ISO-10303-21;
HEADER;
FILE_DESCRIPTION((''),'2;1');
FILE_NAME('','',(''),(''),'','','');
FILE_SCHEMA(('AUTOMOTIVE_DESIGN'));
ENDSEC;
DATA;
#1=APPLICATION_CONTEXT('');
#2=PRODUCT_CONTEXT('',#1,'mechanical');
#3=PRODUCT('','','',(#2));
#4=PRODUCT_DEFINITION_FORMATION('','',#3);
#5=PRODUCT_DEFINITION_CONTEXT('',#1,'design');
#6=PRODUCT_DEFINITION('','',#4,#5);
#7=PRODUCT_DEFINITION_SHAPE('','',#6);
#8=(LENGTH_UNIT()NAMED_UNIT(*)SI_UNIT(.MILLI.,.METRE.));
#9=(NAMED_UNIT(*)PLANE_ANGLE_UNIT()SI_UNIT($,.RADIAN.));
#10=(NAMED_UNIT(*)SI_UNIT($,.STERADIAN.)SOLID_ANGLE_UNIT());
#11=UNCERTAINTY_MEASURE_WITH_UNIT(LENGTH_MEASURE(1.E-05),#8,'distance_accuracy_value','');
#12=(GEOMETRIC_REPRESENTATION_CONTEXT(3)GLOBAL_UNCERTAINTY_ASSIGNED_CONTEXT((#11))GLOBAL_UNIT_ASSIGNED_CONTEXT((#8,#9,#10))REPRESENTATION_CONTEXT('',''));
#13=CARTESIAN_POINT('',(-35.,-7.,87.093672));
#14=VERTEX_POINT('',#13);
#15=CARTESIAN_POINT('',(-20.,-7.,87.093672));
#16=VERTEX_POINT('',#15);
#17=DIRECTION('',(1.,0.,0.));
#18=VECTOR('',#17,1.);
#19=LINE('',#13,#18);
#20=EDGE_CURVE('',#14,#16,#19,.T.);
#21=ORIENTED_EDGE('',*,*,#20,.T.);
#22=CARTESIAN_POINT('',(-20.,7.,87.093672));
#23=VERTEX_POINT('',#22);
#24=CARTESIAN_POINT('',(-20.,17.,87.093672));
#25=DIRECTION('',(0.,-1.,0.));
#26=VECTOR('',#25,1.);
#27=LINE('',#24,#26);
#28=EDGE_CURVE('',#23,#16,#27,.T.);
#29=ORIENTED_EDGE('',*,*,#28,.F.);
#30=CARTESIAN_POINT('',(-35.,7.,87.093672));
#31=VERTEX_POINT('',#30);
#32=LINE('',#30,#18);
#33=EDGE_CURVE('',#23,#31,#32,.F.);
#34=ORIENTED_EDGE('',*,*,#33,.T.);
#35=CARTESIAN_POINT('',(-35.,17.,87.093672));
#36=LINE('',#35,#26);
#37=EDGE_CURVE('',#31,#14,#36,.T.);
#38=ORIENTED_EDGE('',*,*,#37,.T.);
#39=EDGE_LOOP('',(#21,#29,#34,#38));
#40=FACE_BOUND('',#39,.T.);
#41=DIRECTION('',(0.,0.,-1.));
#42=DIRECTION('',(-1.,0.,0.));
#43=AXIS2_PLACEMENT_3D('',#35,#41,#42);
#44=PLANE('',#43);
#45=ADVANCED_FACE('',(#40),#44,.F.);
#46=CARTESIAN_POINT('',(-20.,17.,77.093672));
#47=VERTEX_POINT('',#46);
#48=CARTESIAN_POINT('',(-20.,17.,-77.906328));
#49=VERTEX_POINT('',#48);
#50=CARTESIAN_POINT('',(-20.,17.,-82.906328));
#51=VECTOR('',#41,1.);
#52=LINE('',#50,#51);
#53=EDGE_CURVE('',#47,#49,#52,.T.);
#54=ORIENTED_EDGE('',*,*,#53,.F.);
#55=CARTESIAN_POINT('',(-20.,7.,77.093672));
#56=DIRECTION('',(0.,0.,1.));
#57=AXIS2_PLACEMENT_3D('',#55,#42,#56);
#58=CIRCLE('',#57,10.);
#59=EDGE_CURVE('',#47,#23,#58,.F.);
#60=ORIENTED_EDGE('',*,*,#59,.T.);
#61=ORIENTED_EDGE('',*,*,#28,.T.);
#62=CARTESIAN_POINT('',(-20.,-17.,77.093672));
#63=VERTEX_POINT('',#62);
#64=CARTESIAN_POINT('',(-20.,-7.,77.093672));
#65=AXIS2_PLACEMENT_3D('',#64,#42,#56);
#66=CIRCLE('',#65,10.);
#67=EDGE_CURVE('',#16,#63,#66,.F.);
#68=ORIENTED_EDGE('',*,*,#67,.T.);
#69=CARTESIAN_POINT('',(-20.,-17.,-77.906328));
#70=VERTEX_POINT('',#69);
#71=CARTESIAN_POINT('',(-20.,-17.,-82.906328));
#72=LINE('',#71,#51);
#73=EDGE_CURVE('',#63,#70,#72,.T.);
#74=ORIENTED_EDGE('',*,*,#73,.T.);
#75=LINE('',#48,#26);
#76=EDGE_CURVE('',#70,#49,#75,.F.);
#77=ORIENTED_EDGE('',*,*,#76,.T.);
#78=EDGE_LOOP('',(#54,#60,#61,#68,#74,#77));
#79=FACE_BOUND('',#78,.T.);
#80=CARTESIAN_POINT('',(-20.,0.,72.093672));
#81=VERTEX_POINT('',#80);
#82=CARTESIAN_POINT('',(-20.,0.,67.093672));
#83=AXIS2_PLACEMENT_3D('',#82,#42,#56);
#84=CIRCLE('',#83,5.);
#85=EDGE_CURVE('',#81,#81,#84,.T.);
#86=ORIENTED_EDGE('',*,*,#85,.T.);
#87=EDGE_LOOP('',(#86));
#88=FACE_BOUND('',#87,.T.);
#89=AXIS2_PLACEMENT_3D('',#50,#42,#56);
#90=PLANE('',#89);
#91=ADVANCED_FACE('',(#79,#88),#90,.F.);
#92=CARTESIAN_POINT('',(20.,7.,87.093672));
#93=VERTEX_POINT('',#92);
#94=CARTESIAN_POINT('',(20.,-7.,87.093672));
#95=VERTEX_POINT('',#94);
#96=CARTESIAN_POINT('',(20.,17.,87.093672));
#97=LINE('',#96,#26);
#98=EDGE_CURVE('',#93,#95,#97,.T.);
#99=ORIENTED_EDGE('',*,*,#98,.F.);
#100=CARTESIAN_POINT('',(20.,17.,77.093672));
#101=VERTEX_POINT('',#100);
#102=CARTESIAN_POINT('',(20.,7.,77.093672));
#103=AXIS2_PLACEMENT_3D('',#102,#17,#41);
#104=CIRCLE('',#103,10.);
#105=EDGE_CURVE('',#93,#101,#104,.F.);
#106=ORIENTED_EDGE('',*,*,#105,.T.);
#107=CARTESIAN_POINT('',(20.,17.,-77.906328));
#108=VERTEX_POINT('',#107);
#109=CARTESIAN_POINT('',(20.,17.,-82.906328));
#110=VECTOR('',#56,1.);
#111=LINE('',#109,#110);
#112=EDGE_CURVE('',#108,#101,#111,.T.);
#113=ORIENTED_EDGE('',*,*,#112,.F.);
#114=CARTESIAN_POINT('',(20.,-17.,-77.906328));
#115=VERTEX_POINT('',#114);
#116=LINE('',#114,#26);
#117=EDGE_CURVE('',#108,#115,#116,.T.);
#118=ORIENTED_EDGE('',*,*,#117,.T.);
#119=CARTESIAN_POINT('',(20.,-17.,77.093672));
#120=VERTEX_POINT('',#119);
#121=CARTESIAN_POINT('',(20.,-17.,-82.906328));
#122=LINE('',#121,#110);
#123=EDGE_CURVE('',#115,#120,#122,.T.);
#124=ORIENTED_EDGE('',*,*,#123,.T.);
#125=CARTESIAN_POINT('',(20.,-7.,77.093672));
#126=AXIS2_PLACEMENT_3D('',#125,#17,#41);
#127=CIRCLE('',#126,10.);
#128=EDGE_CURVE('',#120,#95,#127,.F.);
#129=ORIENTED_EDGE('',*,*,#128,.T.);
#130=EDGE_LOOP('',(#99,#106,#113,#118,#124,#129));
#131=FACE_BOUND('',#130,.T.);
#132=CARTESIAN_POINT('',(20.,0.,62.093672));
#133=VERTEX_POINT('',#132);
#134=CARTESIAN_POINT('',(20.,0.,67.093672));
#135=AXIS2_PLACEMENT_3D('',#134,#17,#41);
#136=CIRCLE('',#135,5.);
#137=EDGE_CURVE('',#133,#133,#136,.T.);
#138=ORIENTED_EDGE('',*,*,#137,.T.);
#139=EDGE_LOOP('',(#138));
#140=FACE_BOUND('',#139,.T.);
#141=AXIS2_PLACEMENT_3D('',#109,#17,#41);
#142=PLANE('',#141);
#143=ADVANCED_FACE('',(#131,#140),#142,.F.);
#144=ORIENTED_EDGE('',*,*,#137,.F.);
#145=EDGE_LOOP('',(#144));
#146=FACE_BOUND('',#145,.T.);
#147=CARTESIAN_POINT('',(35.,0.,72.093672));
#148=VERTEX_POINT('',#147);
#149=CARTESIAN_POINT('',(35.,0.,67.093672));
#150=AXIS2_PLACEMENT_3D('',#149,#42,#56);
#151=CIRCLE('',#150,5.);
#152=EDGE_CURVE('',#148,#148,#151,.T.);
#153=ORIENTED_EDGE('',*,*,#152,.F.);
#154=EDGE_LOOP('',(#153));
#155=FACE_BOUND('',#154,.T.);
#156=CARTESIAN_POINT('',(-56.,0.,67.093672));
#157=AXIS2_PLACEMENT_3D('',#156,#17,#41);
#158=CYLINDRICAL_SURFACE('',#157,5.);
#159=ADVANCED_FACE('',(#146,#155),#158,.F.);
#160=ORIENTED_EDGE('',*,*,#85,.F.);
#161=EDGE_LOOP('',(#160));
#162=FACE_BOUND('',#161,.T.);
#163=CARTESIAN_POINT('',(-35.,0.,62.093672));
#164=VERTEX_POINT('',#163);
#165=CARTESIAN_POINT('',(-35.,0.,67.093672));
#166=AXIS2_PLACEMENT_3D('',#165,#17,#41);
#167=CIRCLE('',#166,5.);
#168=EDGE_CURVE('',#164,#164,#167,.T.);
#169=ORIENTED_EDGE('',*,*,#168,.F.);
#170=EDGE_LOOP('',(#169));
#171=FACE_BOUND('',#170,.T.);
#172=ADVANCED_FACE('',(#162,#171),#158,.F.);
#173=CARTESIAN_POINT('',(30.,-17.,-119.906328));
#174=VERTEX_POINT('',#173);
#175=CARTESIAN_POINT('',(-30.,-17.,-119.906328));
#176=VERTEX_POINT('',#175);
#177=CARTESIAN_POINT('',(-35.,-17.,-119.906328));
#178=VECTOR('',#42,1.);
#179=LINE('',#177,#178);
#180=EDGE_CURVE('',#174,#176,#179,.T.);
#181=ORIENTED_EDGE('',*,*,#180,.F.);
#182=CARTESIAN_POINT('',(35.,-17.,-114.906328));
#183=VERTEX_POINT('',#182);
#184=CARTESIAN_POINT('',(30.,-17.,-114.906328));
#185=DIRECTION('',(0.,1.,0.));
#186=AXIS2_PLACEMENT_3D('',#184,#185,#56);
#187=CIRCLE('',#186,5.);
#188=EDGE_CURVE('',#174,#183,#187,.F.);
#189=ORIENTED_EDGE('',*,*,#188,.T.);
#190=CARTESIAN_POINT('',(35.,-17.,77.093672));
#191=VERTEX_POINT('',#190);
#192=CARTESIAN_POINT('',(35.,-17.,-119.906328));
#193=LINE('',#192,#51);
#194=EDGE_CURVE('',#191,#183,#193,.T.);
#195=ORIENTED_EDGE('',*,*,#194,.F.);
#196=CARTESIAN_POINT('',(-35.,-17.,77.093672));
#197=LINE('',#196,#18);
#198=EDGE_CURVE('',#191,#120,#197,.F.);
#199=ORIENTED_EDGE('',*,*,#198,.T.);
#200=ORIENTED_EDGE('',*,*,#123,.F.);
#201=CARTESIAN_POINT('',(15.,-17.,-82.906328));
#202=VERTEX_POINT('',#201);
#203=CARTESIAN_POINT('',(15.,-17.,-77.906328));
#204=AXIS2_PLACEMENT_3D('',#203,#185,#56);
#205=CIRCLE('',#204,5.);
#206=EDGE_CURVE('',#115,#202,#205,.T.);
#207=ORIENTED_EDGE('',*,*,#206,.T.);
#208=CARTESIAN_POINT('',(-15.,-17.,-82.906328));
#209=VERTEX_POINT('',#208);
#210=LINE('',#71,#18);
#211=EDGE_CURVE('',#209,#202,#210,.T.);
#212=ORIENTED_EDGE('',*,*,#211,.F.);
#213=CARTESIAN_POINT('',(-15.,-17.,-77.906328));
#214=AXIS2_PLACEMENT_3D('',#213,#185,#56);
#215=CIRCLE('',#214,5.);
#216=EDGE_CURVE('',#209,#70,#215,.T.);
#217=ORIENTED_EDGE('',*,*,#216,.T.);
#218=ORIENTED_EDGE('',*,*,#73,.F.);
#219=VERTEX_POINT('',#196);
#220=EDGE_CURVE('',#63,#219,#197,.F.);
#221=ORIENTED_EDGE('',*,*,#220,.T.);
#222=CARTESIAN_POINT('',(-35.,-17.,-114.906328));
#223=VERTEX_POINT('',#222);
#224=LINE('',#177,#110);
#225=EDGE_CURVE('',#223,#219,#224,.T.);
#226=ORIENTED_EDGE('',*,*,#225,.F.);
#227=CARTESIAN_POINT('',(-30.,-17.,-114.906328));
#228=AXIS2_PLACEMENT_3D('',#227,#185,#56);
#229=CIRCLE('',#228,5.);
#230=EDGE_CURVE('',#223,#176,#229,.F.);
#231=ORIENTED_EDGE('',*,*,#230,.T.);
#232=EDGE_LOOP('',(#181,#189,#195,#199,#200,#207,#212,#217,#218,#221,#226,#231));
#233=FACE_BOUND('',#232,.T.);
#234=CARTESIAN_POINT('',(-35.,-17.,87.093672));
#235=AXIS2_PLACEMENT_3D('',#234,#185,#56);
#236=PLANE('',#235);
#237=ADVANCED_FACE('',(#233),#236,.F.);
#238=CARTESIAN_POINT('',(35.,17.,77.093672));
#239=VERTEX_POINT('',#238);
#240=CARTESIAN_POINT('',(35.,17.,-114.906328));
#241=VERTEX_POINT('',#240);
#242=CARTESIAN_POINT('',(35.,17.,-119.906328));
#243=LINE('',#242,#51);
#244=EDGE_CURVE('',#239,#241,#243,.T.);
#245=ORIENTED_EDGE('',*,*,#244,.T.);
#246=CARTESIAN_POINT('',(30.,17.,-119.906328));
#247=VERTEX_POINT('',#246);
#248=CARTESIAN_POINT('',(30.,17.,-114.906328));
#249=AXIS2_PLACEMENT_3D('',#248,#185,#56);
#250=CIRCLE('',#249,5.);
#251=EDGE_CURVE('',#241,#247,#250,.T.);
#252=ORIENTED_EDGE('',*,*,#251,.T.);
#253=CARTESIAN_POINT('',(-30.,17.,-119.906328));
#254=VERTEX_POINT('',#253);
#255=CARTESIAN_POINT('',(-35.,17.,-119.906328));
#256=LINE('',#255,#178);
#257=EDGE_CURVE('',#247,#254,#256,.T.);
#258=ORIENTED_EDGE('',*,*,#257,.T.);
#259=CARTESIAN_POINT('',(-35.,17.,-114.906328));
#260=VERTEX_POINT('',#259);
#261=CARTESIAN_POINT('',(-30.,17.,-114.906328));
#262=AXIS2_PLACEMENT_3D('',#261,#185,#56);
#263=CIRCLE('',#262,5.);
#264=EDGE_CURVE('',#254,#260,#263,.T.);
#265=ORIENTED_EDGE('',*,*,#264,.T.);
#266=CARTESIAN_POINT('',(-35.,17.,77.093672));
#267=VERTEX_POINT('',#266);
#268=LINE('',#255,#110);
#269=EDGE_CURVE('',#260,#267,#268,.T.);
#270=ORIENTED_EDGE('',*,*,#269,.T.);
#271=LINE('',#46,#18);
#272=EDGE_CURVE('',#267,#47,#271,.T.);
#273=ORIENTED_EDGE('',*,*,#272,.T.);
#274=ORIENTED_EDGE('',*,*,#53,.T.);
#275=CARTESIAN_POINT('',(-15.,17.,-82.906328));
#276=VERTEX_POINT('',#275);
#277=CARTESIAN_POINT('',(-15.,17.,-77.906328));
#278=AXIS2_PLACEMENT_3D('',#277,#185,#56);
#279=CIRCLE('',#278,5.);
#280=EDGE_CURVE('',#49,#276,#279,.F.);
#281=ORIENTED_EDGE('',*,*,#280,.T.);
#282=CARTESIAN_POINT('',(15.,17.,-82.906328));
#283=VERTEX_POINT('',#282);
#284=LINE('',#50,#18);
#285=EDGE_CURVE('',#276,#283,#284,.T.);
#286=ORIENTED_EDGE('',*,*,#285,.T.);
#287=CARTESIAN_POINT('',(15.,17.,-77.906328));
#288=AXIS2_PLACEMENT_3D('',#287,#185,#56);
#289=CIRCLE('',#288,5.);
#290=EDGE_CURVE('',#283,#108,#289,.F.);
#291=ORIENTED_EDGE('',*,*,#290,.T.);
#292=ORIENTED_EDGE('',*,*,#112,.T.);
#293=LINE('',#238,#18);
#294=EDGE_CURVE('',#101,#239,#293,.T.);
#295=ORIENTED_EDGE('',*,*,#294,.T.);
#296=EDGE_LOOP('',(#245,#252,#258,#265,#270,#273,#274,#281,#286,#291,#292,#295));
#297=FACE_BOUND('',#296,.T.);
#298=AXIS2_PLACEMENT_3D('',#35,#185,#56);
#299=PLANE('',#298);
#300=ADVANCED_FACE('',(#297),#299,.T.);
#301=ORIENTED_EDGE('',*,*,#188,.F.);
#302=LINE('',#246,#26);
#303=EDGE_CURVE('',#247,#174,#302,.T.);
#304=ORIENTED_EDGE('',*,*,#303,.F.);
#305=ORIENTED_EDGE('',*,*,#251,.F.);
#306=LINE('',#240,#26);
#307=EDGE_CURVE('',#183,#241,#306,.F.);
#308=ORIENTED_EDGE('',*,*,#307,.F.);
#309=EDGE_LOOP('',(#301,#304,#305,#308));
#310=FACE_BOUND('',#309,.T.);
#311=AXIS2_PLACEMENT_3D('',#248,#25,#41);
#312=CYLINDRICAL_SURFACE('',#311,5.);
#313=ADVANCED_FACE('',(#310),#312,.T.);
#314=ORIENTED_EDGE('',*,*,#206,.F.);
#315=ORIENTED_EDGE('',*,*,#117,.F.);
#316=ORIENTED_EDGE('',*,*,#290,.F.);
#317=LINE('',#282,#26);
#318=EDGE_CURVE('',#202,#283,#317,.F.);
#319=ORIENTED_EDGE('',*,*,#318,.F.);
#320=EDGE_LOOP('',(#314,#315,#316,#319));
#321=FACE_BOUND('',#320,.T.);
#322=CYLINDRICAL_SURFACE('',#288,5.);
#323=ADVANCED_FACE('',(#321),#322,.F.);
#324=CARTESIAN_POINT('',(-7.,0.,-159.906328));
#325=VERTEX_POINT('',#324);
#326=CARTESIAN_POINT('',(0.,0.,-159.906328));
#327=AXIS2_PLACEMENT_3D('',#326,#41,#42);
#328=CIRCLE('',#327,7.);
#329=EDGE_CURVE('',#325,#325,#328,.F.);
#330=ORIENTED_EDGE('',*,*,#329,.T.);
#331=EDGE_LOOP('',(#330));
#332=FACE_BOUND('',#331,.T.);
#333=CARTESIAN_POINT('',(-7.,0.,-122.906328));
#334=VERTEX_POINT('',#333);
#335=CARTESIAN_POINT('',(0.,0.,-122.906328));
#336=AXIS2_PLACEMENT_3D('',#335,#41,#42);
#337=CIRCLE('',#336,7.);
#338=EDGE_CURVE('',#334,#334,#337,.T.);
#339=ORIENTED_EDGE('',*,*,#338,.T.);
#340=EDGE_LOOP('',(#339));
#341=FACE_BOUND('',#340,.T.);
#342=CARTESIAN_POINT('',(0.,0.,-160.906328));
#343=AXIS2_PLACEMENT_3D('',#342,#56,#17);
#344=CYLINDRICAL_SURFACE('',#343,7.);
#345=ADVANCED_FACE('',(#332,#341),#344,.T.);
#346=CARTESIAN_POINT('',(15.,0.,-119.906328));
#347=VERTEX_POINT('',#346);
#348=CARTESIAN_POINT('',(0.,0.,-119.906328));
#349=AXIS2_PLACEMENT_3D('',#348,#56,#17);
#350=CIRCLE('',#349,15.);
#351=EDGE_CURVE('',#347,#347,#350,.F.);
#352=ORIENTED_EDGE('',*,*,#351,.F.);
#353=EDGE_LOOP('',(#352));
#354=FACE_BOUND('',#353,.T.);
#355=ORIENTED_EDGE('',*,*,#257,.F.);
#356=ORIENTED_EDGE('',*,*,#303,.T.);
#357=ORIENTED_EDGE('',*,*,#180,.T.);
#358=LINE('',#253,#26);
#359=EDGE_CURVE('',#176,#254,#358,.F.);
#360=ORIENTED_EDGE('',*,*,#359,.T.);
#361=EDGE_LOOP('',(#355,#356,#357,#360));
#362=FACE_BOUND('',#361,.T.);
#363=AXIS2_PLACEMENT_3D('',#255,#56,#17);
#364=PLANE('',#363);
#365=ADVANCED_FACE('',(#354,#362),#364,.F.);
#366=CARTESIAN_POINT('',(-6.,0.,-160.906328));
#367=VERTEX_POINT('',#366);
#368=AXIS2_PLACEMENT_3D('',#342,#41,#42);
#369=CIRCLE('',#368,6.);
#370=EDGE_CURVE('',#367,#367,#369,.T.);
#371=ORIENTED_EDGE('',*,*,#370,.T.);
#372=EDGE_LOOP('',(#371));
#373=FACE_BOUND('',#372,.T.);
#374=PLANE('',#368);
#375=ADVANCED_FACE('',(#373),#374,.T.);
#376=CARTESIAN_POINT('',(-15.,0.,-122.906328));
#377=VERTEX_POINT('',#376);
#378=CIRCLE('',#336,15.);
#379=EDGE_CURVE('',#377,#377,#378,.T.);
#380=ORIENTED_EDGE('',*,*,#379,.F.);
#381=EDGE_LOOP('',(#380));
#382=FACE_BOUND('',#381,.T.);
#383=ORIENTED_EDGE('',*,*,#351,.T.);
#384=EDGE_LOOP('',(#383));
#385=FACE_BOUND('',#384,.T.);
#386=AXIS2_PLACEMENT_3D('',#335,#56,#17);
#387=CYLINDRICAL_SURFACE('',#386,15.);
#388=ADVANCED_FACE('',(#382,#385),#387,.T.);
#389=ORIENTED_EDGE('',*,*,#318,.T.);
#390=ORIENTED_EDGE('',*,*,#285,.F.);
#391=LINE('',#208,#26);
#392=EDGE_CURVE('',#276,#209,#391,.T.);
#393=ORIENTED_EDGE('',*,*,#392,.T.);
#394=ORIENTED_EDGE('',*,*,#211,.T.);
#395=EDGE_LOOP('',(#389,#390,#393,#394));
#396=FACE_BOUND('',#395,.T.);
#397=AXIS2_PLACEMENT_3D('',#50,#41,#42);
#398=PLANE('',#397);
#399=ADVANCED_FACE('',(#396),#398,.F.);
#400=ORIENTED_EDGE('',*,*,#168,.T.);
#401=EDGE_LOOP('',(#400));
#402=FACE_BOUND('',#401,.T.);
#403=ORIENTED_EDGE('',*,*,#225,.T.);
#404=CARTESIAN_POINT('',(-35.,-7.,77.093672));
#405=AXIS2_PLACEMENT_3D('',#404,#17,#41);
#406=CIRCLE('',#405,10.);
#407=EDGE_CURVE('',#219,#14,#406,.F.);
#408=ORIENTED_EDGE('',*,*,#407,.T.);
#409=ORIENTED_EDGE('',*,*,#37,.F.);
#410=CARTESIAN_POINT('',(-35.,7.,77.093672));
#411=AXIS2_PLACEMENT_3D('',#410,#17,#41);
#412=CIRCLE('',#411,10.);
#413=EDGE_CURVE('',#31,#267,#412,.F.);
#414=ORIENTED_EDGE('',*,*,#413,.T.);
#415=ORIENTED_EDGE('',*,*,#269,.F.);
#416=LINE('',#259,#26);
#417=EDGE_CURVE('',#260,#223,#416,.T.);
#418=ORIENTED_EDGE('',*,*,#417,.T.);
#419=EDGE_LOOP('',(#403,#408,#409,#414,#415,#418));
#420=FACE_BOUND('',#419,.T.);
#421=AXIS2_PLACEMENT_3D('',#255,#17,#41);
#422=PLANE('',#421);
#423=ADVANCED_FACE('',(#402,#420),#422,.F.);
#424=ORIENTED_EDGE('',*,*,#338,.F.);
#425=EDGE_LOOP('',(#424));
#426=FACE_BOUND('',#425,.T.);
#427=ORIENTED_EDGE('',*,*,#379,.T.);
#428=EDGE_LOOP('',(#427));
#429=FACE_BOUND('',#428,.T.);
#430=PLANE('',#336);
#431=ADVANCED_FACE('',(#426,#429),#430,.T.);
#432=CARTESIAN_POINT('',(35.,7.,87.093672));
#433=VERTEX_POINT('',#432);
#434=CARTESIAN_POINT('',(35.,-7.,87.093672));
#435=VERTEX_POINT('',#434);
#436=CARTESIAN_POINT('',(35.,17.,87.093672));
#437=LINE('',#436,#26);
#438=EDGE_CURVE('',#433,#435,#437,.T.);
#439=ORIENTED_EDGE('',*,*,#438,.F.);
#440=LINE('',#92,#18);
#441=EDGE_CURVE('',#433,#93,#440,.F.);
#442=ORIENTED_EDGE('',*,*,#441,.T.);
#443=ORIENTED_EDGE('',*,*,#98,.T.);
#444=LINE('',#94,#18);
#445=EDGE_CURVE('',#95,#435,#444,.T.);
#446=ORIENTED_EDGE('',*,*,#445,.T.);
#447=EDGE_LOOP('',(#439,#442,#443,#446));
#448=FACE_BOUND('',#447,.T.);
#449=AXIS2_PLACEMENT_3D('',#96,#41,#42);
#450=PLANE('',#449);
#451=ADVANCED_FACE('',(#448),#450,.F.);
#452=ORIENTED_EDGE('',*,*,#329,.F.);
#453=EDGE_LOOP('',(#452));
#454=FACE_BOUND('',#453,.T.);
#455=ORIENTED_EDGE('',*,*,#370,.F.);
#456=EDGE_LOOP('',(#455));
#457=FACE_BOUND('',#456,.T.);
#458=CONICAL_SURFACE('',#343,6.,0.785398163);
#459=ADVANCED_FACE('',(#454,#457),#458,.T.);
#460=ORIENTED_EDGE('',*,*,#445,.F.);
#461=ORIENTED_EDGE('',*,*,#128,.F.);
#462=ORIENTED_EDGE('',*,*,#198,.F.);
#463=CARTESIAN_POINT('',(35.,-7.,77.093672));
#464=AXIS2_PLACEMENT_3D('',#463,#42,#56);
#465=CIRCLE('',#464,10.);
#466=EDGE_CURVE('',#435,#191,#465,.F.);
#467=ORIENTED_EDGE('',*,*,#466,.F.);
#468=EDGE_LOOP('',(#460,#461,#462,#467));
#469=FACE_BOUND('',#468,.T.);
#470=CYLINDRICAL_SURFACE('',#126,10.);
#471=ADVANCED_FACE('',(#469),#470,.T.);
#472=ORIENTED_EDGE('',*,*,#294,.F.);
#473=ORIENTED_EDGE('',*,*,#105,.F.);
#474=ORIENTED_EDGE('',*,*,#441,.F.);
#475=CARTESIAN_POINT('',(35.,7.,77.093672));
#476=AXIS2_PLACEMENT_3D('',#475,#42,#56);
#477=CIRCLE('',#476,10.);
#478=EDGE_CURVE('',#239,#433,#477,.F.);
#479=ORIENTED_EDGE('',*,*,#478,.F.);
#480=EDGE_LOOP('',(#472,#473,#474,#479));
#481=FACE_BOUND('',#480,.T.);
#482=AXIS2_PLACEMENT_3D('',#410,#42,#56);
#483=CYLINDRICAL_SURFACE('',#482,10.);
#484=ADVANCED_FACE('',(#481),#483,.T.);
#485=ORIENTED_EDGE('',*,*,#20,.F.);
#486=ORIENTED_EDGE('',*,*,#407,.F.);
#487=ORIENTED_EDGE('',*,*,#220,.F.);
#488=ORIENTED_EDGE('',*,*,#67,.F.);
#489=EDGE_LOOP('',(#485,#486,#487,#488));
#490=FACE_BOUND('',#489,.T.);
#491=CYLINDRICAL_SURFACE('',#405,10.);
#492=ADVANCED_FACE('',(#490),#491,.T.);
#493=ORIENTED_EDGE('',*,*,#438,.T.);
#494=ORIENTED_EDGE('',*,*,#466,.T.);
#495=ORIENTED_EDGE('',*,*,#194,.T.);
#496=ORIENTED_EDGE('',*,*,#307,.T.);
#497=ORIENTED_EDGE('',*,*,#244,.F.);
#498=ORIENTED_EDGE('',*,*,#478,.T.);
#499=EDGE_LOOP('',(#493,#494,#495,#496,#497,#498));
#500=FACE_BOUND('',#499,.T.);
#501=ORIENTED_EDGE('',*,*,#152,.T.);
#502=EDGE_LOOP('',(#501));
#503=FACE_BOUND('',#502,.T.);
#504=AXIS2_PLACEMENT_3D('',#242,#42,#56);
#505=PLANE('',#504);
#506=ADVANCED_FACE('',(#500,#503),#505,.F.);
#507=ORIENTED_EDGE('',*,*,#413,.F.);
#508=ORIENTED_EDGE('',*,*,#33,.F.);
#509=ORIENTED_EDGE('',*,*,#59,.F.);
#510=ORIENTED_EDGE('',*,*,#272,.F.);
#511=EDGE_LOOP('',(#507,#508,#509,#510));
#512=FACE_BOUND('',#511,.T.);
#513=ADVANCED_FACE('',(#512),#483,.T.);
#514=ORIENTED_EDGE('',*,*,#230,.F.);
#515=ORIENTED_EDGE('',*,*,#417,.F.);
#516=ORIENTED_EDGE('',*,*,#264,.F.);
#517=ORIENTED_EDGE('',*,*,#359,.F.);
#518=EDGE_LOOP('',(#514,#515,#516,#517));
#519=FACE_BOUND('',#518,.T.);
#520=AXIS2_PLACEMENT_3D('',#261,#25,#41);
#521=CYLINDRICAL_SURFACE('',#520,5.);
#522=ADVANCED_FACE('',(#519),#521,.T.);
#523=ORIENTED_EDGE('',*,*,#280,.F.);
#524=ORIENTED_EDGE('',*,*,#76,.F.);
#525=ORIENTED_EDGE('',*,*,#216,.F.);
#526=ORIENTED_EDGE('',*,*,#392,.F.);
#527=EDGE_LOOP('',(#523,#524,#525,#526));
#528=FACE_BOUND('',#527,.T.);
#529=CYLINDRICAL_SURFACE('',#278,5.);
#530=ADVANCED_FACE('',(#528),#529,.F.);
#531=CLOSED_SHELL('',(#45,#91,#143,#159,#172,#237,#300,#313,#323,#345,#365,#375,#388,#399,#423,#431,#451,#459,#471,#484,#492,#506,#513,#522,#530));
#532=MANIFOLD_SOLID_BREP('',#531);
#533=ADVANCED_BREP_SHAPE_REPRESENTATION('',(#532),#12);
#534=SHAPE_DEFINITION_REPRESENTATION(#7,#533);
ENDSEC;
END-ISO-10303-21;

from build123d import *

# Parameters (mm, degrees)
EXTRUDE_1_DEPTH     = 17
FILLET_1_R          = 5
SKETCH_2_R          = 15
EXTRUDE_2_DEPTH     = 3
SKETCH_4_R          = 5
CUT_EXTRUDE_1_DEPTH = 56
SKETCH_3_R          = 7
EXTRUDE_3_DEPTH     = 38
FILLET_2_R          = 10
CHAMFER_1_SIZE      = 1


with BuildPart() as part:
    # 草图1 → 凸台-拉伸1 (new, symmetric)
    with BuildSketch(Plane(origin=(0, 0, 0), x_dir=(1, 0, 0), z_dir=(0, 1, 0))):
        Polygon((20, -87.093671679), (35, -87.093671679), (35, 119.906328321), (-35, 119.906328321), (-35, -87.093671679), (-20, -87.093671679), (-20, 82.906328321), (20, 82.906328321), align=None)
    extrude(amount=EXTRUDE_1_DEPTH, both=True)

    # 圆角1
    fillet_1_edges = [part.edges().sort_by_distance(p)[0] for p in [
        (-35, 0, -119.906328321),
        (35, 0, -119.906328321),
        (20, 0, -82.906328321),
        (-20, 0, -82.906328321),
    ]]
    fillet(fillet_1_edges, radius=FILLET_1_R)

    # 草图2 → 凸台-拉伸2 (add)
    with BuildSketch(Plane(origin=(0, 0, -119.906328321), x_dir=(-1, 0, 0), z_dir=(0, 0, -1))):
        with Locations(Location((0, 0, 0), (0, 0, 180))):
            Circle(SKETCH_2_R)
    extrude(amount=EXTRUDE_2_DEPTH)

    # 草图4 → 切除-拉伸1 (cut, symmetric)
    with BuildSketch(Plane(origin=(0, 0, 0), x_dir=(0, 0, -1), z_dir=(1, 0, 0))):
        with Locations((-67.093671679, 0)):
            Circle(SKETCH_4_R)
    extrude(amount=CUT_EXTRUDE_1_DEPTH, both=True, mode=Mode.SUBTRACT)

    # 草图3 → 凸台-拉伸3 (add)
    with BuildSketch(Plane(origin=(0, 0, -122.906328321), x_dir=(-1, 0, 0), z_dir=(0, 0, -1))):
        Circle(SKETCH_3_R)
    extrude(amount=EXTRUDE_3_DEPTH)

    # 圆角2
    fillet_2_edges = [part.edges().sort_by_distance(p)[0] for p in [
        (-27.5, -17, 87.093671679),
        (27.5, 17, 87.093671679),
        (-27.5, 17, 87.093671679),
        (27.5, -17, 87.093671679),
    ]]
    fillet(fillet_2_edges, radius=FILLET_2_R)

    # 倒角1
    chamfer_1_edges = [part.edges().sort_by_distance(p)[0] for p in [
        (7, 0, -160.906328321),
    ]]
    chamfer(chamfer_1_edges, length=CHAMFER_1_SIZE)


solid = part.part
